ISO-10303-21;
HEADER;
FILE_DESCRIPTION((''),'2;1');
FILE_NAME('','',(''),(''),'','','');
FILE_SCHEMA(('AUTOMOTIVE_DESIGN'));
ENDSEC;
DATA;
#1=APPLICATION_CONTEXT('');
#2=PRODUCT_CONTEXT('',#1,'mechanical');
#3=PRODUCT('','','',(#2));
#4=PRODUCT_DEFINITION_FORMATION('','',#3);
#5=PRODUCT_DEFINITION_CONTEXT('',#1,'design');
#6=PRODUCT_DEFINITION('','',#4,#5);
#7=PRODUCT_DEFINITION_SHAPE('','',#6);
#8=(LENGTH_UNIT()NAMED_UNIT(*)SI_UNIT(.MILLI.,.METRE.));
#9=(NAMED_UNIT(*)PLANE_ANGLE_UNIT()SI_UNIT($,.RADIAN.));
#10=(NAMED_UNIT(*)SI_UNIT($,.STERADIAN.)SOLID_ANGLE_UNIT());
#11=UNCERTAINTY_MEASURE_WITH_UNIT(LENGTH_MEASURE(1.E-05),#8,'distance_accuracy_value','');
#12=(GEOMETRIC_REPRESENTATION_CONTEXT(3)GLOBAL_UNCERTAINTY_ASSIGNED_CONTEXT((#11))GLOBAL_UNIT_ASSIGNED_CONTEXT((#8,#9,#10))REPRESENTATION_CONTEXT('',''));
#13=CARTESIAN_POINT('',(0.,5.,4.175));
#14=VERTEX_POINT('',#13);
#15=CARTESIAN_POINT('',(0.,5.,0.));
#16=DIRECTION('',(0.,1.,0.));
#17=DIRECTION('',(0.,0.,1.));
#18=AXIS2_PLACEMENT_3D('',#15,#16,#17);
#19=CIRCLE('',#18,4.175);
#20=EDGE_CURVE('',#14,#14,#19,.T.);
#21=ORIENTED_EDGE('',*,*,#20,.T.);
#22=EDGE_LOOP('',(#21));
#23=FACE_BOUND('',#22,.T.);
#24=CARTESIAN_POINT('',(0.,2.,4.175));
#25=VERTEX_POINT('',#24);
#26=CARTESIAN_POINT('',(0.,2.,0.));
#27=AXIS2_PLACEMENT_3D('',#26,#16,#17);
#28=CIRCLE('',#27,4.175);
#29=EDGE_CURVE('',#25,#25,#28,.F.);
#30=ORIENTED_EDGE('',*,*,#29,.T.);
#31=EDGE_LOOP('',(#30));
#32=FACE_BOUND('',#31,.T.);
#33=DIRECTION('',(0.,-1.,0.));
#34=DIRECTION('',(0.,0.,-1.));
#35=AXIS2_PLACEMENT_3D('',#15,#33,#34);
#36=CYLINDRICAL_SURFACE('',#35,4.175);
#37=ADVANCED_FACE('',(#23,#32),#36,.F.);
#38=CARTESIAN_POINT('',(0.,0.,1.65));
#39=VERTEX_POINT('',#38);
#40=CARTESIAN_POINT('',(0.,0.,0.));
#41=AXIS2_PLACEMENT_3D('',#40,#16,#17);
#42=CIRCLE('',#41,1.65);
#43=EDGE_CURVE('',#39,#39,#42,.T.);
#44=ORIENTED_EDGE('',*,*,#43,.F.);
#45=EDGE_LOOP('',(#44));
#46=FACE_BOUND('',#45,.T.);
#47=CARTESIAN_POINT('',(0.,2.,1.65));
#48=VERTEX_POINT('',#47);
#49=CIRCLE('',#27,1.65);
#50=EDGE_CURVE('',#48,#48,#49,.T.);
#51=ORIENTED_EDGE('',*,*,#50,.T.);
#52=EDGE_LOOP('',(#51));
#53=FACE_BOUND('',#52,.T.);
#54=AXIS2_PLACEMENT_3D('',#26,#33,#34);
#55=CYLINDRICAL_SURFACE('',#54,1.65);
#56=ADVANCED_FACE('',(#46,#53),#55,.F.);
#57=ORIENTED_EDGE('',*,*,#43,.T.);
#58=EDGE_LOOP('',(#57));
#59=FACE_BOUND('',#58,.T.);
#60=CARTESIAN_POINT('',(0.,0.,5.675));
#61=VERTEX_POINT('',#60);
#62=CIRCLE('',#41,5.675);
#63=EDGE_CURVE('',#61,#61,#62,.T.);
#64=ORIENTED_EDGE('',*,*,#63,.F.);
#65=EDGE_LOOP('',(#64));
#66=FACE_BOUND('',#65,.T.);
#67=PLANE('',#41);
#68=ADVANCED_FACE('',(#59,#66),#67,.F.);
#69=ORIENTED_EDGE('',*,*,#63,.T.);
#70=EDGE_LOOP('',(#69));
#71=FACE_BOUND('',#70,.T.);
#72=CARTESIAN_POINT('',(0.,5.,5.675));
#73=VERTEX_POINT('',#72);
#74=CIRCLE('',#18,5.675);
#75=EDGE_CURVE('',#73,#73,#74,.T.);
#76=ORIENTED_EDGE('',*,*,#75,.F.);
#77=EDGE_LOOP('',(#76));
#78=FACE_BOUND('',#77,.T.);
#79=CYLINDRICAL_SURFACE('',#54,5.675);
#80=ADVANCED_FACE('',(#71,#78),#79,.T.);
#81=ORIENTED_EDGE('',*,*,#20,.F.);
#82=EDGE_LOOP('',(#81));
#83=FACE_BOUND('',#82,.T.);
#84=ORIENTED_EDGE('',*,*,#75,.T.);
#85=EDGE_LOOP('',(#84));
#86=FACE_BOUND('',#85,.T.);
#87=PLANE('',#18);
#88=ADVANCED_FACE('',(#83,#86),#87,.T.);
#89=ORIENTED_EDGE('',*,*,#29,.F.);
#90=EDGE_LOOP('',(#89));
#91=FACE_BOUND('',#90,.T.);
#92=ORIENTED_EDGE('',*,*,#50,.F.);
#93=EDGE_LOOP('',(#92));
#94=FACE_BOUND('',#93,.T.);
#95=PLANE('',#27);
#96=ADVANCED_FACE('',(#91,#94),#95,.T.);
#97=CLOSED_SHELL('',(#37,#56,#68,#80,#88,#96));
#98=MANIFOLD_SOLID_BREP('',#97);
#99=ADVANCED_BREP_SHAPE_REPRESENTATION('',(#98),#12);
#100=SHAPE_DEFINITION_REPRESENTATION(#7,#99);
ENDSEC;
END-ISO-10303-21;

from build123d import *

# Parameters (mm, degrees)
ESBO_O1_R                = 5.675
ESBO_O1_R_2              = 1.65
RESSALTO_EXTRUS_O1_DEPTH = 2
ESBO_O2_R                = 5.675
ESBO_O2_R_2              = 4.175
RESSALTO_EXTRUS_O2_DEPTH = 3


with BuildPart() as part:
    # Esboço1 → Ressalto-extrusão1 (new body)
    with BuildSketch(Plane(origin=(0, 0, 0), x_dir=(1, 0, 0), z_dir=(0, 1, 0))):
        with Locations(Location((0, 0, 0), (0, 0, 270))):
            Circle(ESBO_O1_R)
        with Locations(Location((0, 0, 0), (0, 0, 270))):
            Circle(ESBO_O1_R_2, mode=Mode.SUBTRACT)
    extrude(amount=RESSALTO_EXTRUS_O1_DEPTH)

    # Esboço2 → Ressalto-extrusão2 (add)
    with BuildSketch(Plane(origin=(0, 2, 0), x_dir=(1, 0, 0), z_dir=(0, 1, 0))):
        with Locations(Location((0, 0, 0), (0, 0, 270))):
            Circle(ESBO_O2_R)
        with Locations(Location((0, 0, 0), (0, 0, 270))):
            Circle(ESBO_O2_R_2, mode=Mode.SUBTRACT)
    extrude(amount=RESSALTO_EXTRUS_O2_DEPTH)


solid = part.part
